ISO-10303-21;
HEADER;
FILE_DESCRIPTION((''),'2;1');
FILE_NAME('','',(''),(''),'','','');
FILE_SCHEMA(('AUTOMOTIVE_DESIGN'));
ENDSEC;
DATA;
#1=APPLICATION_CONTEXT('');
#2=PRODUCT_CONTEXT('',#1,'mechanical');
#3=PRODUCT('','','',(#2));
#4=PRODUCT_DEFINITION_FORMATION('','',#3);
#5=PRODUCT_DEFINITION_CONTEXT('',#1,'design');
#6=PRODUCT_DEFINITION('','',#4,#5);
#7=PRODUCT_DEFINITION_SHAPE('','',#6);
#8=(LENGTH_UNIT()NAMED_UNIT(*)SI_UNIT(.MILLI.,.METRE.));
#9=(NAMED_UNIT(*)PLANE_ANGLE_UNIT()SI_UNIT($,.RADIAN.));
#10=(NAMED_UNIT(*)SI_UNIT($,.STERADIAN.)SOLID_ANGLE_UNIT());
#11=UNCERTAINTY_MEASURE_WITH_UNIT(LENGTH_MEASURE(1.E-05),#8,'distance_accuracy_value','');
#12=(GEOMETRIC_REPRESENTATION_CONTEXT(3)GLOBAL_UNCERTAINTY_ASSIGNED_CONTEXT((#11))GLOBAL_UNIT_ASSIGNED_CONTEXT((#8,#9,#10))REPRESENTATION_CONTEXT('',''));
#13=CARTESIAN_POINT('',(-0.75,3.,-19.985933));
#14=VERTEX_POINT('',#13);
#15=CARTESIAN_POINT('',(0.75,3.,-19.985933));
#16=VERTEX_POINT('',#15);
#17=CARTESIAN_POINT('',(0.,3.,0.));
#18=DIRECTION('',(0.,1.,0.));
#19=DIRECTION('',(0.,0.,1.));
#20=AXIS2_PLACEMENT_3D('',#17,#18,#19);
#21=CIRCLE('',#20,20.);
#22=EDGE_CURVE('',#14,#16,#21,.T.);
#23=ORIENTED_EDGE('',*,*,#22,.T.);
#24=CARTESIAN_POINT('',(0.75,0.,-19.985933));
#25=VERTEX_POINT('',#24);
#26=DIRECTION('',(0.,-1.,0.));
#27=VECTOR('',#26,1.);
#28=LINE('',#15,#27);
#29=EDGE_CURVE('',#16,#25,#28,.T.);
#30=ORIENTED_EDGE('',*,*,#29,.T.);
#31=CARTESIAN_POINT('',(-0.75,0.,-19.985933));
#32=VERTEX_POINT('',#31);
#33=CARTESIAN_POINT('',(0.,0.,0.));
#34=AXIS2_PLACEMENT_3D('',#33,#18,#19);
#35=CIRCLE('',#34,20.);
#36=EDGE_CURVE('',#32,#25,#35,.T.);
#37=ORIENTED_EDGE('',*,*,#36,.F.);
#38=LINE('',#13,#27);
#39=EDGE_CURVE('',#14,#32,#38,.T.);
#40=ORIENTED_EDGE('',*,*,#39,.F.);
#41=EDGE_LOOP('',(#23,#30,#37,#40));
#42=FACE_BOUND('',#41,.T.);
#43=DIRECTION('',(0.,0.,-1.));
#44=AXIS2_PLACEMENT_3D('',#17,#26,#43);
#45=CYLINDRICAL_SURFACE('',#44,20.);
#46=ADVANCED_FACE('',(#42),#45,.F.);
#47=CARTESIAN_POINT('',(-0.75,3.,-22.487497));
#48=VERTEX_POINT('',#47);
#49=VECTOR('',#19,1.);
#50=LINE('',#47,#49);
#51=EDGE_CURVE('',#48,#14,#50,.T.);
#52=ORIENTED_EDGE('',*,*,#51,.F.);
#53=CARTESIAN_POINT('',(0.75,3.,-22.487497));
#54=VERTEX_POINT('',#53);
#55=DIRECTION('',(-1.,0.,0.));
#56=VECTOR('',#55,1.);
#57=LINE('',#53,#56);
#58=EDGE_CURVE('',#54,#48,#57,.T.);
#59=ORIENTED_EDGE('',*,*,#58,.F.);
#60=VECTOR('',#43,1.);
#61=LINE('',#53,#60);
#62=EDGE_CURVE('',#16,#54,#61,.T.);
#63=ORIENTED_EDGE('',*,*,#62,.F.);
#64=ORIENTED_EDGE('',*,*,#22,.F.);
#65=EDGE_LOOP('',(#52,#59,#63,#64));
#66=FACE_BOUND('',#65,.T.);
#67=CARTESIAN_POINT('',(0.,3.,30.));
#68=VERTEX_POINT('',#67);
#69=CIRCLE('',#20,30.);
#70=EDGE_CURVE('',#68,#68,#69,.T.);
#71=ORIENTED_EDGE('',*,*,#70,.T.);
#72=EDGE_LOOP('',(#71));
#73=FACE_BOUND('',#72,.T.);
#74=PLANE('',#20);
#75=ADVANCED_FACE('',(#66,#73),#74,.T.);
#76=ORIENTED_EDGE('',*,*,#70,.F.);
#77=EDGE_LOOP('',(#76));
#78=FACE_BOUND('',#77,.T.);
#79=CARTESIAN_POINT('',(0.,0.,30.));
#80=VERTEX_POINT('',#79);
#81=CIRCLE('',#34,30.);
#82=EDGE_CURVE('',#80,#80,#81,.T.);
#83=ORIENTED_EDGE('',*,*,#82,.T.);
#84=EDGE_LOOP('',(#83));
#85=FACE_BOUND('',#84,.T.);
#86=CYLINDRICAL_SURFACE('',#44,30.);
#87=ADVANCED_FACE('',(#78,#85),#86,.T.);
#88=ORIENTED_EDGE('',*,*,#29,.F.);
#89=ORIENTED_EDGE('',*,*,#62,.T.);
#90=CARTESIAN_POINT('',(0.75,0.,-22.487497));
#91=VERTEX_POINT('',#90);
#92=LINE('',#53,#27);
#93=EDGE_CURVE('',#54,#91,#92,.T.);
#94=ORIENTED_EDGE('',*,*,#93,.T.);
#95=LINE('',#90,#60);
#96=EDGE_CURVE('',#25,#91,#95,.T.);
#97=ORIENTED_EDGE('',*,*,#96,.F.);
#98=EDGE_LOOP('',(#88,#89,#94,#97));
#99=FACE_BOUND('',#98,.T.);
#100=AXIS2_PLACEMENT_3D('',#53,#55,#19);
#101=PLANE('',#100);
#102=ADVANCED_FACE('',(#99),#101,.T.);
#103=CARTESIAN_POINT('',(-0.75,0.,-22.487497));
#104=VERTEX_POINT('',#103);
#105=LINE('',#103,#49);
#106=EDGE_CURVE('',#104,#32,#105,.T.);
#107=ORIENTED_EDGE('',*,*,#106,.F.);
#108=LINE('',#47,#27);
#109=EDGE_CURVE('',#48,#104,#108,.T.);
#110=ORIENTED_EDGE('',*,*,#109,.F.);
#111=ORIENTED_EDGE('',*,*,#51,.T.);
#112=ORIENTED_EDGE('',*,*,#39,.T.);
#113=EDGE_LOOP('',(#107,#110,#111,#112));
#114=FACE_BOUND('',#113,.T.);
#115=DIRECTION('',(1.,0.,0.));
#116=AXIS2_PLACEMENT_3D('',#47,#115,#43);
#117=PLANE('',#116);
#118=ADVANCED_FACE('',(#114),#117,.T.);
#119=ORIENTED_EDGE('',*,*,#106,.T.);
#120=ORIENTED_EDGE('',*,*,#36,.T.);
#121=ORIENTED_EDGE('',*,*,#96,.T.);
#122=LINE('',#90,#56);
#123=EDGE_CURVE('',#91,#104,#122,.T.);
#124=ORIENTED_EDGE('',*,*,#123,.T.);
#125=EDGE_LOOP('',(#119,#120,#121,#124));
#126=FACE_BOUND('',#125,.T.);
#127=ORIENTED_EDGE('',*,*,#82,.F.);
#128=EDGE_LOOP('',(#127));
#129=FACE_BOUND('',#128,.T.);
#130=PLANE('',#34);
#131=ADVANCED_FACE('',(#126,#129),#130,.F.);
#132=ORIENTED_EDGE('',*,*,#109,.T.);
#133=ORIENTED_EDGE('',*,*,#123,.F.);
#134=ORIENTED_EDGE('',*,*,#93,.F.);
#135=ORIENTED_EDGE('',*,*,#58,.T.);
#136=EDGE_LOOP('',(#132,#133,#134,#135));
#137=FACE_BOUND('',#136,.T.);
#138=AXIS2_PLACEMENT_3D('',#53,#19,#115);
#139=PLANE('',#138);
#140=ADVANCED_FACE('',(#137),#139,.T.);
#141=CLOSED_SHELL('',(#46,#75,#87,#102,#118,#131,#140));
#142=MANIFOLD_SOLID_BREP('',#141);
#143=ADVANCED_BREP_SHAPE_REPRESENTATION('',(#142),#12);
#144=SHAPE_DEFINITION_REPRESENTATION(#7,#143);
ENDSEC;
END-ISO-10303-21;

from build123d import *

# Parameters (mm, degrees)
ESQUISSE1_R        = 30
BOSS_EXTRU_1_DEPTH = 3


with BuildPart() as part:
    # Esquisse1 → Boss.-Extru.1 (new body)
    with BuildSketch(Plane(origin=(0, 0, 0), x_dir=(1, 0, 0), z_dir=(0, 1, 0))):
        with Locations(Location((0, 0, 0), (0, 0, 270))):
            Circle(ESQUISSE1_R)
        with BuildLine():
            Line((0.75, 22.487496526), (-0.75, 22.487496526))
            Line((-0.75, 22.487496526), (-0.75, 19.985932553))
            ThreePointArc((-0.75, 19.985932553), (0, -20), (0.75, 19.985932553))
            Line((0.75, 19.985932553), (0.75, 22.487496526))
        make_face(mode=Mode.SUBTRACT)
    extrude(amount=BOSS_EXTRU_1_DEPTH)


solid = part.part
